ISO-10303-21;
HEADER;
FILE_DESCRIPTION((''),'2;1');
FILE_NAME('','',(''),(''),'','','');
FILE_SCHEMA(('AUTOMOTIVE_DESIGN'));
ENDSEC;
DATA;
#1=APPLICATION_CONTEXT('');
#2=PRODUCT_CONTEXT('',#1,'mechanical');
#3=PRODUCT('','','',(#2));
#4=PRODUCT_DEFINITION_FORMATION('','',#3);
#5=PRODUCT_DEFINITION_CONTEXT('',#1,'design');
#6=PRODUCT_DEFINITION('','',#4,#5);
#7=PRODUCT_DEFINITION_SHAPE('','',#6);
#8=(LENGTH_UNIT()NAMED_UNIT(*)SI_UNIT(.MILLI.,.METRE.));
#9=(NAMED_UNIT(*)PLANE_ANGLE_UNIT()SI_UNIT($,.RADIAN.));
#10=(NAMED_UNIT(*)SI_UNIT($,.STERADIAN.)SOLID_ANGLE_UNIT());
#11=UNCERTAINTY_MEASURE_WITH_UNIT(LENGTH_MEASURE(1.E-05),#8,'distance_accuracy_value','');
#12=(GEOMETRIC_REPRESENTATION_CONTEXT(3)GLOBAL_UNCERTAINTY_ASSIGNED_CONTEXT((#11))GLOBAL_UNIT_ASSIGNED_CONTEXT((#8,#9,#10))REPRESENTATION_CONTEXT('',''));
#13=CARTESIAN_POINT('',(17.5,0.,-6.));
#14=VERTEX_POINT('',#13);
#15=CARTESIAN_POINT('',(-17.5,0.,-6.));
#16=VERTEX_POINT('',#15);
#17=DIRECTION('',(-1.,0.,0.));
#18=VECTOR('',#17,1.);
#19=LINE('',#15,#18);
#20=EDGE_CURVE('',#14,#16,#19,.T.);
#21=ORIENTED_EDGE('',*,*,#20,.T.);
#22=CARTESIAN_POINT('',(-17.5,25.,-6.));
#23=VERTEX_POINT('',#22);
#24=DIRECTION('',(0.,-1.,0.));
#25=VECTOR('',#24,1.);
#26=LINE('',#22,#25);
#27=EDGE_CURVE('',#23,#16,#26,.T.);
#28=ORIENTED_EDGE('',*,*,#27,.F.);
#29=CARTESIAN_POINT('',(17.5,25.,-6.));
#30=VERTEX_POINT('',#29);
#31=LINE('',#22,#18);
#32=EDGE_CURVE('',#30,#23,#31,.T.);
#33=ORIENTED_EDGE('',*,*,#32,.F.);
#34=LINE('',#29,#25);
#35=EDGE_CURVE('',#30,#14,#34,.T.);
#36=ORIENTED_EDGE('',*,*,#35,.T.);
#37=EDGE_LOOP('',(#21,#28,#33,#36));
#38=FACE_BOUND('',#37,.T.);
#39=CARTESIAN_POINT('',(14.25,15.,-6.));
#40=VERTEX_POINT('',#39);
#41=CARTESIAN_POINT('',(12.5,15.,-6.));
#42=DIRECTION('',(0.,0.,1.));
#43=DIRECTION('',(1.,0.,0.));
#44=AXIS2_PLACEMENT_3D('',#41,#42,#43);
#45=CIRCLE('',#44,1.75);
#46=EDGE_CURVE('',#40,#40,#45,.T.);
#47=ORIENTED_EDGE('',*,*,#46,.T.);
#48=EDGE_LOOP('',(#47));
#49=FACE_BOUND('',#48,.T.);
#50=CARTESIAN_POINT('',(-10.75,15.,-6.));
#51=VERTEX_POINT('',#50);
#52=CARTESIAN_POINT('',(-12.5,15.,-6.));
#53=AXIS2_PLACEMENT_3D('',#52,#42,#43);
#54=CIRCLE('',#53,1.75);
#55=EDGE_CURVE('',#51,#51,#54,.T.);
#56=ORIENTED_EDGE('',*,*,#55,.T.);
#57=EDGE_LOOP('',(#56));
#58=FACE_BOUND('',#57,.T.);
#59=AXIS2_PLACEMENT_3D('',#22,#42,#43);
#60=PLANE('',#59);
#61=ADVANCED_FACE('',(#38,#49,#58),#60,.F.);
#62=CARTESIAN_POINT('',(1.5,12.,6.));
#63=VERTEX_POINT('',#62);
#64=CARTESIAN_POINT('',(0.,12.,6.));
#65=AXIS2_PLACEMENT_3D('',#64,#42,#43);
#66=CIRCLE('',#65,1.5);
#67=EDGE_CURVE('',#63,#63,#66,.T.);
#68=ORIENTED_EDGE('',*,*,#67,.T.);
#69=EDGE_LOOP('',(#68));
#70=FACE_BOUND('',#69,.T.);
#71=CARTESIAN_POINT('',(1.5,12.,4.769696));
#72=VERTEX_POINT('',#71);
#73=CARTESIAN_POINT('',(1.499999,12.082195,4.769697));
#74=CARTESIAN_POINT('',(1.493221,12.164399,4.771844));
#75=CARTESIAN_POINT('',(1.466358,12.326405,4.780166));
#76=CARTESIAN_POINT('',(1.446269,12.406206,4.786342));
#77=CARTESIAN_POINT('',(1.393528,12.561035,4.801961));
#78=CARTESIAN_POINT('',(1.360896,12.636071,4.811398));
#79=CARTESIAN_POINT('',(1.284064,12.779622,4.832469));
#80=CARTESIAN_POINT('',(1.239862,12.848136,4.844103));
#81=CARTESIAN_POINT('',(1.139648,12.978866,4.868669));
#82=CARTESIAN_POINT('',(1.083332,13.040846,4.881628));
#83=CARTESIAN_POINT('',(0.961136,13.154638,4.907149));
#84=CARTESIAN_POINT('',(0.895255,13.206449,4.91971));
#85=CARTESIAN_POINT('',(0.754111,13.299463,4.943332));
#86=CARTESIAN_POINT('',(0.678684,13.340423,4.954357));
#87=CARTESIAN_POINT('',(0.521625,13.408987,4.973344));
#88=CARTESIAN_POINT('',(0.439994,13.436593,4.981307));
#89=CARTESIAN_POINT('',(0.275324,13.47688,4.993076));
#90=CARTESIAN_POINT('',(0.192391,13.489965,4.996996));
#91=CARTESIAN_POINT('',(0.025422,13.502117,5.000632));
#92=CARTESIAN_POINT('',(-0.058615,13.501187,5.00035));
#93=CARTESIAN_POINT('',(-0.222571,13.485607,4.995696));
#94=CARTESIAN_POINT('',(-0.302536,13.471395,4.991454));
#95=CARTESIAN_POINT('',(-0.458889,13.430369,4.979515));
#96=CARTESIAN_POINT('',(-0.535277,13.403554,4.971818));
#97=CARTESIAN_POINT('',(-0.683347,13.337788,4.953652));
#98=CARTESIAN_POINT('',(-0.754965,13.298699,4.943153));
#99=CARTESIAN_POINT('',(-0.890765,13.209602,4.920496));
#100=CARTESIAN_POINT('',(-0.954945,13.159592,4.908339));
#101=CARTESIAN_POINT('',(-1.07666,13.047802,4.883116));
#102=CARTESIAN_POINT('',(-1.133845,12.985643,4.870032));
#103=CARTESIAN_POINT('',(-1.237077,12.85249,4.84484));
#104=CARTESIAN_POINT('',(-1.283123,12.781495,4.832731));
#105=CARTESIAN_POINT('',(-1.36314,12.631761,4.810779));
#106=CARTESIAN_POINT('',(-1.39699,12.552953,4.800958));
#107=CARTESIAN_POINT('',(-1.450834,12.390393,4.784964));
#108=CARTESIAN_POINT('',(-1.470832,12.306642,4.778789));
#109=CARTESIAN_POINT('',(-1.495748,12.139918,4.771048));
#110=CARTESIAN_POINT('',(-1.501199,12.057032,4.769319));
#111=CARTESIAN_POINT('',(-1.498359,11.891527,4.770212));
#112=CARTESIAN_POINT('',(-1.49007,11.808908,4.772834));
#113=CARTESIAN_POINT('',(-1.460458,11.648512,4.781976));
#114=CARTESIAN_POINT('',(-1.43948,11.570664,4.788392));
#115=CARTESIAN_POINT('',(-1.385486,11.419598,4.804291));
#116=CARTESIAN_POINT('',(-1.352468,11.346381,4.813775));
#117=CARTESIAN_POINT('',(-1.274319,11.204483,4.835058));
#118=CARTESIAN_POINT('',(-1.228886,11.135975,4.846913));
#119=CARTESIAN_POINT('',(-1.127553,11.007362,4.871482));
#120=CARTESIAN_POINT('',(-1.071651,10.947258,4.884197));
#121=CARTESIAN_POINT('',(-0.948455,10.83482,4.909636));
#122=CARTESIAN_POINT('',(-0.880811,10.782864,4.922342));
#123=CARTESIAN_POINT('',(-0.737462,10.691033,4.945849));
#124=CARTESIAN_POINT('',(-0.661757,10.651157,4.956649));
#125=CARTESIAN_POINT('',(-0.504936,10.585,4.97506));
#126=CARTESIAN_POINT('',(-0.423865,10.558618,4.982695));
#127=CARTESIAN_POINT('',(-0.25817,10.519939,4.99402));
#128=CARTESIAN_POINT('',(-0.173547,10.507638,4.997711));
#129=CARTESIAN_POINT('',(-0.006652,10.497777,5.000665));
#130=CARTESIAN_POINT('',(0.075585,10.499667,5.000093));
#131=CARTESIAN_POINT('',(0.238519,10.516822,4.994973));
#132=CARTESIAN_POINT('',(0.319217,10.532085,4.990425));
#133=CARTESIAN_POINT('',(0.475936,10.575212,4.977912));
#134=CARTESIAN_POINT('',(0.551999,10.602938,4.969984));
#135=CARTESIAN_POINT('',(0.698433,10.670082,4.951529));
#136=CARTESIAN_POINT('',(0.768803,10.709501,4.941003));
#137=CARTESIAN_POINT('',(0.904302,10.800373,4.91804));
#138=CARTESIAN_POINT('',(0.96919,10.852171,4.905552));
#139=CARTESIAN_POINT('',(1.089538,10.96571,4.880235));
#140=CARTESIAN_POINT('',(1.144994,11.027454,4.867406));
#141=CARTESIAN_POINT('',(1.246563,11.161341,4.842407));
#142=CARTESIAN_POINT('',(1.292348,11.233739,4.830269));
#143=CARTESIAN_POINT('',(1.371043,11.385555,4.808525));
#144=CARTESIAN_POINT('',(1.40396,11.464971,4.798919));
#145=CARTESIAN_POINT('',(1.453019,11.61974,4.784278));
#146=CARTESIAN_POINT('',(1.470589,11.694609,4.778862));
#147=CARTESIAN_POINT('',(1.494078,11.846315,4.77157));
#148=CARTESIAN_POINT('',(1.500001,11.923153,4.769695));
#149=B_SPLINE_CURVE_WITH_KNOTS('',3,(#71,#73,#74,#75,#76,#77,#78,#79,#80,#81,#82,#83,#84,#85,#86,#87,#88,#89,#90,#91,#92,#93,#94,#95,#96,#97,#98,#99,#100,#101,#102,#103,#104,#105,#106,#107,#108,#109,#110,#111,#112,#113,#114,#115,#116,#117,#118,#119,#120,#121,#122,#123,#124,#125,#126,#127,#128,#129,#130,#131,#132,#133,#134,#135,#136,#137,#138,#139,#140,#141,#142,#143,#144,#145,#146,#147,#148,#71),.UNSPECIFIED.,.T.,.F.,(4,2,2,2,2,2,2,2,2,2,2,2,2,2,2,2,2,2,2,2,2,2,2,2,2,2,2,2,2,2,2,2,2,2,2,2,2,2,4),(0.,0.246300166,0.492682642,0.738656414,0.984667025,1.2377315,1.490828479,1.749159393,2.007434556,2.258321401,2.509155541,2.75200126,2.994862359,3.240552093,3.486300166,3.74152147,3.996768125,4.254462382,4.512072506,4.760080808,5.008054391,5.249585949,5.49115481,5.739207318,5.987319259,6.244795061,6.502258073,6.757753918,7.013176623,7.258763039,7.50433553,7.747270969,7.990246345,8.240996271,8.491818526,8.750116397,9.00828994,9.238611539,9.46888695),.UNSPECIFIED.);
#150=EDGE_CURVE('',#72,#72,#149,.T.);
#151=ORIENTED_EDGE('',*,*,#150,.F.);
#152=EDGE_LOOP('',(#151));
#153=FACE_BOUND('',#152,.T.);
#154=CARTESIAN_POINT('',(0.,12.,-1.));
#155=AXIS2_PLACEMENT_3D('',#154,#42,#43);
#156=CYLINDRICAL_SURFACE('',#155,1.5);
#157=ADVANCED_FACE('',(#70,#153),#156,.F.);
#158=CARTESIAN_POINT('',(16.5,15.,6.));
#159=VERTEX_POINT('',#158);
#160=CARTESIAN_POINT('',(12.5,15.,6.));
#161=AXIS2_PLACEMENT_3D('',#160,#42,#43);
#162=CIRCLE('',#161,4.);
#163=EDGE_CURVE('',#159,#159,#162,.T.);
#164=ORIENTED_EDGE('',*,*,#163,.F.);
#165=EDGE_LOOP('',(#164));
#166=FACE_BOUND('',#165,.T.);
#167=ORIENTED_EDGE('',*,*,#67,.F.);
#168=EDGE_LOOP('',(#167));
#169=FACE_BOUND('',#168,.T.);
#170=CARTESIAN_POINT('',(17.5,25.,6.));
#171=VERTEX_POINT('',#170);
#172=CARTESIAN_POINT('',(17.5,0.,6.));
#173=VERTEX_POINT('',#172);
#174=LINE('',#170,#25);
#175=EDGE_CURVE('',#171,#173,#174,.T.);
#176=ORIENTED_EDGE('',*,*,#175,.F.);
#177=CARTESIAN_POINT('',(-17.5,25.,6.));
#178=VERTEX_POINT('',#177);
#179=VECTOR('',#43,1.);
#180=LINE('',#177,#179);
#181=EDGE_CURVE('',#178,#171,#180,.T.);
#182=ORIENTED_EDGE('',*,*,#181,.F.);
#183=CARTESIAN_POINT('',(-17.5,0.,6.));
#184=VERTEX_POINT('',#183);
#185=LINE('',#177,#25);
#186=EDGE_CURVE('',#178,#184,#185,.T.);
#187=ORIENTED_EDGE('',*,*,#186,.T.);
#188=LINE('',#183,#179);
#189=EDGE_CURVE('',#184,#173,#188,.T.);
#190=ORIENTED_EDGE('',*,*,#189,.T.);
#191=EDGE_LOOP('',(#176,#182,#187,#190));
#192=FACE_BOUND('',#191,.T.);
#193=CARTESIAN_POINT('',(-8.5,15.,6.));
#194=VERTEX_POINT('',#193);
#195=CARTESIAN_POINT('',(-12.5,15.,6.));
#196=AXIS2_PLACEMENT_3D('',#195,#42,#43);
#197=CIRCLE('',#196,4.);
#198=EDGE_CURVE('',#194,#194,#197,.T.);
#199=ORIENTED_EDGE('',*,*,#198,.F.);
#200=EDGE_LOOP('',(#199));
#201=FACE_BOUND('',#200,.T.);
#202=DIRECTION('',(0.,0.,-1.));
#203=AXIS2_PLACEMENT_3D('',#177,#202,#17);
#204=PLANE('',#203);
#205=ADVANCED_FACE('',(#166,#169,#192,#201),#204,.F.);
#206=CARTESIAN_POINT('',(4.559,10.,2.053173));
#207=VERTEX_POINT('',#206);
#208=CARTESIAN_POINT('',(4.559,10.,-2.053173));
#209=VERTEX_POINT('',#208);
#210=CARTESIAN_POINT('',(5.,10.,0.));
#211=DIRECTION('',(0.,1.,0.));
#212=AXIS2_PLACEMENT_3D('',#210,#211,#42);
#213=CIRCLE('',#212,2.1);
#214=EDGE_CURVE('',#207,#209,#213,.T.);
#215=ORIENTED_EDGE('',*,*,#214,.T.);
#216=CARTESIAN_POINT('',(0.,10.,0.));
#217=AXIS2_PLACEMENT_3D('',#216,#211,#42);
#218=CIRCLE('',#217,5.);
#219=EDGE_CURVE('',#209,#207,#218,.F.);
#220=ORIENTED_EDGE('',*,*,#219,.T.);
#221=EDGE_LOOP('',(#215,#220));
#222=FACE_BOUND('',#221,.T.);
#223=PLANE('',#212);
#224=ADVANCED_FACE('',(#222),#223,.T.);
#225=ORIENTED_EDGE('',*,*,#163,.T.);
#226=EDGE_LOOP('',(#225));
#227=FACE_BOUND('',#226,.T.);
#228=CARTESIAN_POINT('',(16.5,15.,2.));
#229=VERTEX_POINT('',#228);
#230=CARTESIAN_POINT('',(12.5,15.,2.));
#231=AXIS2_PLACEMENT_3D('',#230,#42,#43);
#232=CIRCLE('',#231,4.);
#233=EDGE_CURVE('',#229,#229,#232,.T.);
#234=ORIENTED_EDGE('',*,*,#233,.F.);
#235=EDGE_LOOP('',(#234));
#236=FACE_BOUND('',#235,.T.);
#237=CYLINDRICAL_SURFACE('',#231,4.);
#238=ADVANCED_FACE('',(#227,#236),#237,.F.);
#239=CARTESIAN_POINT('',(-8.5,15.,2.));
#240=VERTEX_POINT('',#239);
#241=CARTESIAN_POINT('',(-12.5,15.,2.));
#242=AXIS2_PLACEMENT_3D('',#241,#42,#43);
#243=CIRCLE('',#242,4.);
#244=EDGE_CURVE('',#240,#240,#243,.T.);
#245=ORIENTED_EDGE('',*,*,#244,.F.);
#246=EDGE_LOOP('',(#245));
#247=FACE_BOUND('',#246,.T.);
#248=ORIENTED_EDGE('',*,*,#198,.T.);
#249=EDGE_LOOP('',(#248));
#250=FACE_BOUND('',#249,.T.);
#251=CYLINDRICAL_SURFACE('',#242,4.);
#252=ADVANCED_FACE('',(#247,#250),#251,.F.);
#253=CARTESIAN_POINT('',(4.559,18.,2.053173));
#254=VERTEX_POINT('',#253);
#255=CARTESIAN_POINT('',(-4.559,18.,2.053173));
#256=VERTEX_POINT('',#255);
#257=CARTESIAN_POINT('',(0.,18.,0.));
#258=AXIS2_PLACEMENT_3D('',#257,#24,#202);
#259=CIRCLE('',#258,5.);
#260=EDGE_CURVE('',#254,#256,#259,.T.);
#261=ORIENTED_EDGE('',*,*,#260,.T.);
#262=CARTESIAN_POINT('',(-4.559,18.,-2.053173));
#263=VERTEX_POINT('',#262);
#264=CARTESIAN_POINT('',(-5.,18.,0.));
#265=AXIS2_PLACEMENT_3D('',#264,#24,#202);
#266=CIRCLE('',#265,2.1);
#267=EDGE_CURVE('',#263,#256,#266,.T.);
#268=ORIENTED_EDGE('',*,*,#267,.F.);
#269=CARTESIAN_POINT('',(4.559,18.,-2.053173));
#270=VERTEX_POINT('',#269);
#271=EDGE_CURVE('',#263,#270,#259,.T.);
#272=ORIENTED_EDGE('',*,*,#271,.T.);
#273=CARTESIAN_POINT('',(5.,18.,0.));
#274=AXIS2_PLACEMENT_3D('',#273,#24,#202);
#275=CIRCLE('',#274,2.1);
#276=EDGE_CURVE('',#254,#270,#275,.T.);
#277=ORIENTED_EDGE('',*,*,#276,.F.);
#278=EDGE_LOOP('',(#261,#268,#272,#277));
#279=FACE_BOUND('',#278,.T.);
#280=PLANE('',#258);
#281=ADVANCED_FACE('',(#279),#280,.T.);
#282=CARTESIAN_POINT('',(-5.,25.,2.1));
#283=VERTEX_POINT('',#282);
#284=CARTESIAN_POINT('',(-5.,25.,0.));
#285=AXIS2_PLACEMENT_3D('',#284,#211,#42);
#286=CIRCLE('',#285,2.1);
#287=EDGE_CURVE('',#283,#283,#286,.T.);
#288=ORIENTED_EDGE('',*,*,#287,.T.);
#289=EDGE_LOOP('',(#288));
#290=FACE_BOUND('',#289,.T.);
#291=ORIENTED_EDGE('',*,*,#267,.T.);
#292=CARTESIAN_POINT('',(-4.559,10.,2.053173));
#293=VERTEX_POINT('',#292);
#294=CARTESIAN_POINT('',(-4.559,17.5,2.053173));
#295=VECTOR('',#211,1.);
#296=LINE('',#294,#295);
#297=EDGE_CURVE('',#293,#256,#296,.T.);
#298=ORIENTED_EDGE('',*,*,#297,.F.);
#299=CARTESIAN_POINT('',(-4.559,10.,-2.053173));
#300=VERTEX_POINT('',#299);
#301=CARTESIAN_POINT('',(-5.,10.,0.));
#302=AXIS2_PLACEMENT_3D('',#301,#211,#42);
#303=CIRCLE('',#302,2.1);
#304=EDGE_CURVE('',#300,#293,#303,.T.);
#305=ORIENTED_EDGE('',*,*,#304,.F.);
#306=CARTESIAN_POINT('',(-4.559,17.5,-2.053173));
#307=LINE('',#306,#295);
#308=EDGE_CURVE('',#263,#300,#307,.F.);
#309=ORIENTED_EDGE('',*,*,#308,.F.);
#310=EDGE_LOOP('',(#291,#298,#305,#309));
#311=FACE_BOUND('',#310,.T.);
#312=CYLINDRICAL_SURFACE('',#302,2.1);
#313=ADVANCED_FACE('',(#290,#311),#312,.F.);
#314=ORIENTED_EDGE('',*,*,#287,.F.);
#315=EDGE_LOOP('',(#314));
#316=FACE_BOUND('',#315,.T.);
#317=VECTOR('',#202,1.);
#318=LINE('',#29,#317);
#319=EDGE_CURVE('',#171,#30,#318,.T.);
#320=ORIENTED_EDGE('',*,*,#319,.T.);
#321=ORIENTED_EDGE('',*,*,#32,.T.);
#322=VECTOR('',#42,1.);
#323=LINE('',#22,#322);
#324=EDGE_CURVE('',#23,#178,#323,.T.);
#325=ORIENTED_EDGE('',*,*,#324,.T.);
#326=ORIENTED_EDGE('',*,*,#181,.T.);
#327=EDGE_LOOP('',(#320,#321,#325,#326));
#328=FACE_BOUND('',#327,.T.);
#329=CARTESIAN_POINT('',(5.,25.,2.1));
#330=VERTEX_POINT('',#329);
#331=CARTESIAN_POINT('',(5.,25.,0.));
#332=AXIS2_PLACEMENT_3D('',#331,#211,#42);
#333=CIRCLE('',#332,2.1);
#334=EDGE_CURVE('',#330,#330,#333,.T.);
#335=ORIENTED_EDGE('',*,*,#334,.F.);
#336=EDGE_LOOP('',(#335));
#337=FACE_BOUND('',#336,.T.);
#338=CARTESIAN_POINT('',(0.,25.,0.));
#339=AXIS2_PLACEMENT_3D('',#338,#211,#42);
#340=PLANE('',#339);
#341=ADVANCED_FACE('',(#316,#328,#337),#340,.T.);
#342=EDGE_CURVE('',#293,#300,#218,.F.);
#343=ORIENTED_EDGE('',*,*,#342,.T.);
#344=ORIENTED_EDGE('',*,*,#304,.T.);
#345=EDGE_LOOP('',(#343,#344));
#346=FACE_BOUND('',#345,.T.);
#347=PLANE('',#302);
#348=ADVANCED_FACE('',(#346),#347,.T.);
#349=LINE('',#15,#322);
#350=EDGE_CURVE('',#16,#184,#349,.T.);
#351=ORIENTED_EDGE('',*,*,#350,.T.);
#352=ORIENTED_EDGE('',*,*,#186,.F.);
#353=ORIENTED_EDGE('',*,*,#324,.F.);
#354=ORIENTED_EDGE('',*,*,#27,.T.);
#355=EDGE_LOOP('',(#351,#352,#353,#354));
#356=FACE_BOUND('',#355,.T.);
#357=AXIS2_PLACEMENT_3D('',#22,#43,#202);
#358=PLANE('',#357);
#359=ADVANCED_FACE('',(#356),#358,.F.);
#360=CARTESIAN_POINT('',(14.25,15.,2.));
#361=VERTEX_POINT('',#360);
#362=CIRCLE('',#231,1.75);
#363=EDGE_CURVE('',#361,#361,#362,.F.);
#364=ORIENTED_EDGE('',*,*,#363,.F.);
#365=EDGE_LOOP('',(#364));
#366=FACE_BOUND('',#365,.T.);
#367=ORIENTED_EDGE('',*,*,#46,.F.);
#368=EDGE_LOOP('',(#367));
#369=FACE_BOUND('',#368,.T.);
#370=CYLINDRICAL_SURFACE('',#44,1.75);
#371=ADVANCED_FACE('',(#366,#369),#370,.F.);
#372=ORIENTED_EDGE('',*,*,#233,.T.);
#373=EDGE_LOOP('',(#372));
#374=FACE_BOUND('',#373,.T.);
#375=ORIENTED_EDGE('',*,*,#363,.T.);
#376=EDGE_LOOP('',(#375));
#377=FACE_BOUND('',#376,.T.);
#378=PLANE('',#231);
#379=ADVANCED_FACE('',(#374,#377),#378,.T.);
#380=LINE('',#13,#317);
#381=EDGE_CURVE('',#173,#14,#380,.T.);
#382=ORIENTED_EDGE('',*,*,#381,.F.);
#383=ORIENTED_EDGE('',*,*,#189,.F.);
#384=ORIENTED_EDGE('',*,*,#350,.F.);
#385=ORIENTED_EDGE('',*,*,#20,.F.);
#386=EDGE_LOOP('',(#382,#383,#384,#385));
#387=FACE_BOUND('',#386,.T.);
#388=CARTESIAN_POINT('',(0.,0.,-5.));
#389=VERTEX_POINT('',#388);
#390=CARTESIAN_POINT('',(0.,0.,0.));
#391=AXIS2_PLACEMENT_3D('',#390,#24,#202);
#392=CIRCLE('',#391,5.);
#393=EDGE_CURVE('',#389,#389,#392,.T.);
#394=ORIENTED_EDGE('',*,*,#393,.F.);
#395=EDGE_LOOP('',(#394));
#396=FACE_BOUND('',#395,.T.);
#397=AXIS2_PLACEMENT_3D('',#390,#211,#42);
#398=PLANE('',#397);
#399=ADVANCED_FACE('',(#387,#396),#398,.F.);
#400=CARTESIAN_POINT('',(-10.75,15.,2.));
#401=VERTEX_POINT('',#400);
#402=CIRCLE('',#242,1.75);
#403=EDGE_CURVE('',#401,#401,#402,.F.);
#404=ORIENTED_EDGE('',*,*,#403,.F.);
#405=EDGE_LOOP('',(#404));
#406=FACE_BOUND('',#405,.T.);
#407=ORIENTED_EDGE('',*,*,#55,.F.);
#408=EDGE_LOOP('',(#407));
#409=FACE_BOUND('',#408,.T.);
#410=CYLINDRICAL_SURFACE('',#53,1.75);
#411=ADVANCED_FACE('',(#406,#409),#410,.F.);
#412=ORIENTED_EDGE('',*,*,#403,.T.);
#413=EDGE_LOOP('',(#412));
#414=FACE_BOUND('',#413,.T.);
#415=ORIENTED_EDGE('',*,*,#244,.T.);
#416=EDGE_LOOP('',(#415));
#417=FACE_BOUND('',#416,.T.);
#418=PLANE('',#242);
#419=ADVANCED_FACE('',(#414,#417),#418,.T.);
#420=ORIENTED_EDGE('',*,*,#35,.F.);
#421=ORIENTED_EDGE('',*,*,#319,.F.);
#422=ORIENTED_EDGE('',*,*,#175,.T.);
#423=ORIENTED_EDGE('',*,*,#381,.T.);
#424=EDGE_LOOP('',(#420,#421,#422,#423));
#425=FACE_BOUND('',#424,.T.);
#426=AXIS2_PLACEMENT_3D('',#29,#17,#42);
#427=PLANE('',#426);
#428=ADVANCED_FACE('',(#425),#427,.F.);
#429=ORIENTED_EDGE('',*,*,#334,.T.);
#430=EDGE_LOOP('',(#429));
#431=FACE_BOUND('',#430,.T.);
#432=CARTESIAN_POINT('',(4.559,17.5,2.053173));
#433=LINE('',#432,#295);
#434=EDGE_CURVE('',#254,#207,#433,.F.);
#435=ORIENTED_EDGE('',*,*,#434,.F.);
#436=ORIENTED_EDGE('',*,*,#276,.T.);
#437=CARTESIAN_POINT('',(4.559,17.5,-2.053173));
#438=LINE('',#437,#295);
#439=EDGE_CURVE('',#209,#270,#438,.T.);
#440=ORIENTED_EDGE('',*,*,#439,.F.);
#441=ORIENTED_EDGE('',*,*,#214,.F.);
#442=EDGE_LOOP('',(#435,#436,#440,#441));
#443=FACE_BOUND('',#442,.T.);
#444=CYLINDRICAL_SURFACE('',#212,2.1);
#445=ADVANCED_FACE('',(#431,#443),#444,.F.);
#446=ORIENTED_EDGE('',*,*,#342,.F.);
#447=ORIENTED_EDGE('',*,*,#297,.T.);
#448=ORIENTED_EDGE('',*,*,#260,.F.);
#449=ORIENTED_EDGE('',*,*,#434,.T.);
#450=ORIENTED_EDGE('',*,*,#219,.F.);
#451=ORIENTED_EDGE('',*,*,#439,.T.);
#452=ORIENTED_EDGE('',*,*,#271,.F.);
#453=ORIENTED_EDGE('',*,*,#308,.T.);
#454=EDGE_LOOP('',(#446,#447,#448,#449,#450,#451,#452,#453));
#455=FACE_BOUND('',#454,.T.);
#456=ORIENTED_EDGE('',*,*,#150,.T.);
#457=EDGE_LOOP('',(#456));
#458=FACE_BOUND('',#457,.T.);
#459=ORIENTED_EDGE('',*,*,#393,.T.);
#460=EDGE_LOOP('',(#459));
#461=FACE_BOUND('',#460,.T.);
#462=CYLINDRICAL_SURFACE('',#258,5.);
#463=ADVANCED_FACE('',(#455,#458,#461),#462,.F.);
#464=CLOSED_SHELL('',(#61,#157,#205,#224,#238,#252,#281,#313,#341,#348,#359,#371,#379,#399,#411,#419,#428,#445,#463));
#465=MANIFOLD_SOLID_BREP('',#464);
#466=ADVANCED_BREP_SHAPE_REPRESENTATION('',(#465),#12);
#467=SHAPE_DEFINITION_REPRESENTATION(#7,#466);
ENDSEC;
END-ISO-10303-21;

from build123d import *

# Parameters (mm, degrees)
SKETCH1_W           = 35
SKETCH1_H           = 12
BOSS_EXTRUDE1_DEPTH = 25
SKETCH2_R           = 5
CUT_EXTRUDE1_DEPTH  = 18
SKETCH3_R           = 2.1
CUT_EXTRUDE2_DEPTH  = 15
SKETCH4_R           = 1.5
CUT_EXTRUDE3_DEPTH  = 7
SKETCH5_R           = 1.75
CUT_EXTRUDE4_DEPTH  = 13
SKETCH6_R           = 4
CUT_EXTRUDE5_DEPTH  = 4


with BuildPart() as part:
    # Sketch1 → Boss-Extrude1 (new body)
    with BuildSketch(Plane(origin=(0, 0, 0), x_dir=(1, 0, 0), z_dir=(0, 1, 0))):
        Rectangle(SKETCH1_W, SKETCH1_H)
    extrude(amount=BOSS_EXTRUDE1_DEPTH)

    # Sketch2 → Cut-Extrude1 (cut)
    with BuildSketch(Plane.XZ):
        Circle(SKETCH2_R)
    extrude(amount=-CUT_EXTRUDE1_DEPTH, mode=Mode.SUBTRACT)

    # Sketch3 → Cut-Extrude2 (cut)
    with BuildSketch(Plane(origin=(0, 25, 0), x_dir=(1, 0, 0), z_dir=(0, 1, 0))):
        with Locations((-5, 0)):
            Circle(SKETCH3_R)
        with Locations((5, 0)):
            Circle(SKETCH3_R)
    extrude(amount=-CUT_EXTRUDE2_DEPTH, mode=Mode.SUBTRACT)

    # Sketch4 → Cut-Extrude3 (cut)
    with BuildSketch(Plane.XY.offset(6)):
        with Locations((0, 12)):
            Circle(SKETCH4_R)
    extrude(amount=-CUT_EXTRUDE3_DEPTH, mode=Mode.SUBTRACT)

    # Sketch5 → Cut-Extrude4 (cut, through all)
    with BuildSketch(Plane.XY.offset(6)):
        with Locations((-12.5, 15)):
            Circle(SKETCH5_R)
        with Locations((12.5, 15)):
            Circle(SKETCH5_R)
    extrude(amount=-CUT_EXTRUDE4_DEPTH, mode=Mode.SUBTRACT)

    # Sketch6 → Cut-Extrude5 (cut)
    with BuildSketch(Plane.XY.offset(6)):
        with Locations((-12.5, 15)):
            Circle(SKETCH6_R)
        with Locations((12.5, 15)):
            Circle(SKETCH6_R)
    extrude(amount=-CUT_EXTRUDE5_DEPTH, mode=Mode.SUBTRACT)


solid = part.part
